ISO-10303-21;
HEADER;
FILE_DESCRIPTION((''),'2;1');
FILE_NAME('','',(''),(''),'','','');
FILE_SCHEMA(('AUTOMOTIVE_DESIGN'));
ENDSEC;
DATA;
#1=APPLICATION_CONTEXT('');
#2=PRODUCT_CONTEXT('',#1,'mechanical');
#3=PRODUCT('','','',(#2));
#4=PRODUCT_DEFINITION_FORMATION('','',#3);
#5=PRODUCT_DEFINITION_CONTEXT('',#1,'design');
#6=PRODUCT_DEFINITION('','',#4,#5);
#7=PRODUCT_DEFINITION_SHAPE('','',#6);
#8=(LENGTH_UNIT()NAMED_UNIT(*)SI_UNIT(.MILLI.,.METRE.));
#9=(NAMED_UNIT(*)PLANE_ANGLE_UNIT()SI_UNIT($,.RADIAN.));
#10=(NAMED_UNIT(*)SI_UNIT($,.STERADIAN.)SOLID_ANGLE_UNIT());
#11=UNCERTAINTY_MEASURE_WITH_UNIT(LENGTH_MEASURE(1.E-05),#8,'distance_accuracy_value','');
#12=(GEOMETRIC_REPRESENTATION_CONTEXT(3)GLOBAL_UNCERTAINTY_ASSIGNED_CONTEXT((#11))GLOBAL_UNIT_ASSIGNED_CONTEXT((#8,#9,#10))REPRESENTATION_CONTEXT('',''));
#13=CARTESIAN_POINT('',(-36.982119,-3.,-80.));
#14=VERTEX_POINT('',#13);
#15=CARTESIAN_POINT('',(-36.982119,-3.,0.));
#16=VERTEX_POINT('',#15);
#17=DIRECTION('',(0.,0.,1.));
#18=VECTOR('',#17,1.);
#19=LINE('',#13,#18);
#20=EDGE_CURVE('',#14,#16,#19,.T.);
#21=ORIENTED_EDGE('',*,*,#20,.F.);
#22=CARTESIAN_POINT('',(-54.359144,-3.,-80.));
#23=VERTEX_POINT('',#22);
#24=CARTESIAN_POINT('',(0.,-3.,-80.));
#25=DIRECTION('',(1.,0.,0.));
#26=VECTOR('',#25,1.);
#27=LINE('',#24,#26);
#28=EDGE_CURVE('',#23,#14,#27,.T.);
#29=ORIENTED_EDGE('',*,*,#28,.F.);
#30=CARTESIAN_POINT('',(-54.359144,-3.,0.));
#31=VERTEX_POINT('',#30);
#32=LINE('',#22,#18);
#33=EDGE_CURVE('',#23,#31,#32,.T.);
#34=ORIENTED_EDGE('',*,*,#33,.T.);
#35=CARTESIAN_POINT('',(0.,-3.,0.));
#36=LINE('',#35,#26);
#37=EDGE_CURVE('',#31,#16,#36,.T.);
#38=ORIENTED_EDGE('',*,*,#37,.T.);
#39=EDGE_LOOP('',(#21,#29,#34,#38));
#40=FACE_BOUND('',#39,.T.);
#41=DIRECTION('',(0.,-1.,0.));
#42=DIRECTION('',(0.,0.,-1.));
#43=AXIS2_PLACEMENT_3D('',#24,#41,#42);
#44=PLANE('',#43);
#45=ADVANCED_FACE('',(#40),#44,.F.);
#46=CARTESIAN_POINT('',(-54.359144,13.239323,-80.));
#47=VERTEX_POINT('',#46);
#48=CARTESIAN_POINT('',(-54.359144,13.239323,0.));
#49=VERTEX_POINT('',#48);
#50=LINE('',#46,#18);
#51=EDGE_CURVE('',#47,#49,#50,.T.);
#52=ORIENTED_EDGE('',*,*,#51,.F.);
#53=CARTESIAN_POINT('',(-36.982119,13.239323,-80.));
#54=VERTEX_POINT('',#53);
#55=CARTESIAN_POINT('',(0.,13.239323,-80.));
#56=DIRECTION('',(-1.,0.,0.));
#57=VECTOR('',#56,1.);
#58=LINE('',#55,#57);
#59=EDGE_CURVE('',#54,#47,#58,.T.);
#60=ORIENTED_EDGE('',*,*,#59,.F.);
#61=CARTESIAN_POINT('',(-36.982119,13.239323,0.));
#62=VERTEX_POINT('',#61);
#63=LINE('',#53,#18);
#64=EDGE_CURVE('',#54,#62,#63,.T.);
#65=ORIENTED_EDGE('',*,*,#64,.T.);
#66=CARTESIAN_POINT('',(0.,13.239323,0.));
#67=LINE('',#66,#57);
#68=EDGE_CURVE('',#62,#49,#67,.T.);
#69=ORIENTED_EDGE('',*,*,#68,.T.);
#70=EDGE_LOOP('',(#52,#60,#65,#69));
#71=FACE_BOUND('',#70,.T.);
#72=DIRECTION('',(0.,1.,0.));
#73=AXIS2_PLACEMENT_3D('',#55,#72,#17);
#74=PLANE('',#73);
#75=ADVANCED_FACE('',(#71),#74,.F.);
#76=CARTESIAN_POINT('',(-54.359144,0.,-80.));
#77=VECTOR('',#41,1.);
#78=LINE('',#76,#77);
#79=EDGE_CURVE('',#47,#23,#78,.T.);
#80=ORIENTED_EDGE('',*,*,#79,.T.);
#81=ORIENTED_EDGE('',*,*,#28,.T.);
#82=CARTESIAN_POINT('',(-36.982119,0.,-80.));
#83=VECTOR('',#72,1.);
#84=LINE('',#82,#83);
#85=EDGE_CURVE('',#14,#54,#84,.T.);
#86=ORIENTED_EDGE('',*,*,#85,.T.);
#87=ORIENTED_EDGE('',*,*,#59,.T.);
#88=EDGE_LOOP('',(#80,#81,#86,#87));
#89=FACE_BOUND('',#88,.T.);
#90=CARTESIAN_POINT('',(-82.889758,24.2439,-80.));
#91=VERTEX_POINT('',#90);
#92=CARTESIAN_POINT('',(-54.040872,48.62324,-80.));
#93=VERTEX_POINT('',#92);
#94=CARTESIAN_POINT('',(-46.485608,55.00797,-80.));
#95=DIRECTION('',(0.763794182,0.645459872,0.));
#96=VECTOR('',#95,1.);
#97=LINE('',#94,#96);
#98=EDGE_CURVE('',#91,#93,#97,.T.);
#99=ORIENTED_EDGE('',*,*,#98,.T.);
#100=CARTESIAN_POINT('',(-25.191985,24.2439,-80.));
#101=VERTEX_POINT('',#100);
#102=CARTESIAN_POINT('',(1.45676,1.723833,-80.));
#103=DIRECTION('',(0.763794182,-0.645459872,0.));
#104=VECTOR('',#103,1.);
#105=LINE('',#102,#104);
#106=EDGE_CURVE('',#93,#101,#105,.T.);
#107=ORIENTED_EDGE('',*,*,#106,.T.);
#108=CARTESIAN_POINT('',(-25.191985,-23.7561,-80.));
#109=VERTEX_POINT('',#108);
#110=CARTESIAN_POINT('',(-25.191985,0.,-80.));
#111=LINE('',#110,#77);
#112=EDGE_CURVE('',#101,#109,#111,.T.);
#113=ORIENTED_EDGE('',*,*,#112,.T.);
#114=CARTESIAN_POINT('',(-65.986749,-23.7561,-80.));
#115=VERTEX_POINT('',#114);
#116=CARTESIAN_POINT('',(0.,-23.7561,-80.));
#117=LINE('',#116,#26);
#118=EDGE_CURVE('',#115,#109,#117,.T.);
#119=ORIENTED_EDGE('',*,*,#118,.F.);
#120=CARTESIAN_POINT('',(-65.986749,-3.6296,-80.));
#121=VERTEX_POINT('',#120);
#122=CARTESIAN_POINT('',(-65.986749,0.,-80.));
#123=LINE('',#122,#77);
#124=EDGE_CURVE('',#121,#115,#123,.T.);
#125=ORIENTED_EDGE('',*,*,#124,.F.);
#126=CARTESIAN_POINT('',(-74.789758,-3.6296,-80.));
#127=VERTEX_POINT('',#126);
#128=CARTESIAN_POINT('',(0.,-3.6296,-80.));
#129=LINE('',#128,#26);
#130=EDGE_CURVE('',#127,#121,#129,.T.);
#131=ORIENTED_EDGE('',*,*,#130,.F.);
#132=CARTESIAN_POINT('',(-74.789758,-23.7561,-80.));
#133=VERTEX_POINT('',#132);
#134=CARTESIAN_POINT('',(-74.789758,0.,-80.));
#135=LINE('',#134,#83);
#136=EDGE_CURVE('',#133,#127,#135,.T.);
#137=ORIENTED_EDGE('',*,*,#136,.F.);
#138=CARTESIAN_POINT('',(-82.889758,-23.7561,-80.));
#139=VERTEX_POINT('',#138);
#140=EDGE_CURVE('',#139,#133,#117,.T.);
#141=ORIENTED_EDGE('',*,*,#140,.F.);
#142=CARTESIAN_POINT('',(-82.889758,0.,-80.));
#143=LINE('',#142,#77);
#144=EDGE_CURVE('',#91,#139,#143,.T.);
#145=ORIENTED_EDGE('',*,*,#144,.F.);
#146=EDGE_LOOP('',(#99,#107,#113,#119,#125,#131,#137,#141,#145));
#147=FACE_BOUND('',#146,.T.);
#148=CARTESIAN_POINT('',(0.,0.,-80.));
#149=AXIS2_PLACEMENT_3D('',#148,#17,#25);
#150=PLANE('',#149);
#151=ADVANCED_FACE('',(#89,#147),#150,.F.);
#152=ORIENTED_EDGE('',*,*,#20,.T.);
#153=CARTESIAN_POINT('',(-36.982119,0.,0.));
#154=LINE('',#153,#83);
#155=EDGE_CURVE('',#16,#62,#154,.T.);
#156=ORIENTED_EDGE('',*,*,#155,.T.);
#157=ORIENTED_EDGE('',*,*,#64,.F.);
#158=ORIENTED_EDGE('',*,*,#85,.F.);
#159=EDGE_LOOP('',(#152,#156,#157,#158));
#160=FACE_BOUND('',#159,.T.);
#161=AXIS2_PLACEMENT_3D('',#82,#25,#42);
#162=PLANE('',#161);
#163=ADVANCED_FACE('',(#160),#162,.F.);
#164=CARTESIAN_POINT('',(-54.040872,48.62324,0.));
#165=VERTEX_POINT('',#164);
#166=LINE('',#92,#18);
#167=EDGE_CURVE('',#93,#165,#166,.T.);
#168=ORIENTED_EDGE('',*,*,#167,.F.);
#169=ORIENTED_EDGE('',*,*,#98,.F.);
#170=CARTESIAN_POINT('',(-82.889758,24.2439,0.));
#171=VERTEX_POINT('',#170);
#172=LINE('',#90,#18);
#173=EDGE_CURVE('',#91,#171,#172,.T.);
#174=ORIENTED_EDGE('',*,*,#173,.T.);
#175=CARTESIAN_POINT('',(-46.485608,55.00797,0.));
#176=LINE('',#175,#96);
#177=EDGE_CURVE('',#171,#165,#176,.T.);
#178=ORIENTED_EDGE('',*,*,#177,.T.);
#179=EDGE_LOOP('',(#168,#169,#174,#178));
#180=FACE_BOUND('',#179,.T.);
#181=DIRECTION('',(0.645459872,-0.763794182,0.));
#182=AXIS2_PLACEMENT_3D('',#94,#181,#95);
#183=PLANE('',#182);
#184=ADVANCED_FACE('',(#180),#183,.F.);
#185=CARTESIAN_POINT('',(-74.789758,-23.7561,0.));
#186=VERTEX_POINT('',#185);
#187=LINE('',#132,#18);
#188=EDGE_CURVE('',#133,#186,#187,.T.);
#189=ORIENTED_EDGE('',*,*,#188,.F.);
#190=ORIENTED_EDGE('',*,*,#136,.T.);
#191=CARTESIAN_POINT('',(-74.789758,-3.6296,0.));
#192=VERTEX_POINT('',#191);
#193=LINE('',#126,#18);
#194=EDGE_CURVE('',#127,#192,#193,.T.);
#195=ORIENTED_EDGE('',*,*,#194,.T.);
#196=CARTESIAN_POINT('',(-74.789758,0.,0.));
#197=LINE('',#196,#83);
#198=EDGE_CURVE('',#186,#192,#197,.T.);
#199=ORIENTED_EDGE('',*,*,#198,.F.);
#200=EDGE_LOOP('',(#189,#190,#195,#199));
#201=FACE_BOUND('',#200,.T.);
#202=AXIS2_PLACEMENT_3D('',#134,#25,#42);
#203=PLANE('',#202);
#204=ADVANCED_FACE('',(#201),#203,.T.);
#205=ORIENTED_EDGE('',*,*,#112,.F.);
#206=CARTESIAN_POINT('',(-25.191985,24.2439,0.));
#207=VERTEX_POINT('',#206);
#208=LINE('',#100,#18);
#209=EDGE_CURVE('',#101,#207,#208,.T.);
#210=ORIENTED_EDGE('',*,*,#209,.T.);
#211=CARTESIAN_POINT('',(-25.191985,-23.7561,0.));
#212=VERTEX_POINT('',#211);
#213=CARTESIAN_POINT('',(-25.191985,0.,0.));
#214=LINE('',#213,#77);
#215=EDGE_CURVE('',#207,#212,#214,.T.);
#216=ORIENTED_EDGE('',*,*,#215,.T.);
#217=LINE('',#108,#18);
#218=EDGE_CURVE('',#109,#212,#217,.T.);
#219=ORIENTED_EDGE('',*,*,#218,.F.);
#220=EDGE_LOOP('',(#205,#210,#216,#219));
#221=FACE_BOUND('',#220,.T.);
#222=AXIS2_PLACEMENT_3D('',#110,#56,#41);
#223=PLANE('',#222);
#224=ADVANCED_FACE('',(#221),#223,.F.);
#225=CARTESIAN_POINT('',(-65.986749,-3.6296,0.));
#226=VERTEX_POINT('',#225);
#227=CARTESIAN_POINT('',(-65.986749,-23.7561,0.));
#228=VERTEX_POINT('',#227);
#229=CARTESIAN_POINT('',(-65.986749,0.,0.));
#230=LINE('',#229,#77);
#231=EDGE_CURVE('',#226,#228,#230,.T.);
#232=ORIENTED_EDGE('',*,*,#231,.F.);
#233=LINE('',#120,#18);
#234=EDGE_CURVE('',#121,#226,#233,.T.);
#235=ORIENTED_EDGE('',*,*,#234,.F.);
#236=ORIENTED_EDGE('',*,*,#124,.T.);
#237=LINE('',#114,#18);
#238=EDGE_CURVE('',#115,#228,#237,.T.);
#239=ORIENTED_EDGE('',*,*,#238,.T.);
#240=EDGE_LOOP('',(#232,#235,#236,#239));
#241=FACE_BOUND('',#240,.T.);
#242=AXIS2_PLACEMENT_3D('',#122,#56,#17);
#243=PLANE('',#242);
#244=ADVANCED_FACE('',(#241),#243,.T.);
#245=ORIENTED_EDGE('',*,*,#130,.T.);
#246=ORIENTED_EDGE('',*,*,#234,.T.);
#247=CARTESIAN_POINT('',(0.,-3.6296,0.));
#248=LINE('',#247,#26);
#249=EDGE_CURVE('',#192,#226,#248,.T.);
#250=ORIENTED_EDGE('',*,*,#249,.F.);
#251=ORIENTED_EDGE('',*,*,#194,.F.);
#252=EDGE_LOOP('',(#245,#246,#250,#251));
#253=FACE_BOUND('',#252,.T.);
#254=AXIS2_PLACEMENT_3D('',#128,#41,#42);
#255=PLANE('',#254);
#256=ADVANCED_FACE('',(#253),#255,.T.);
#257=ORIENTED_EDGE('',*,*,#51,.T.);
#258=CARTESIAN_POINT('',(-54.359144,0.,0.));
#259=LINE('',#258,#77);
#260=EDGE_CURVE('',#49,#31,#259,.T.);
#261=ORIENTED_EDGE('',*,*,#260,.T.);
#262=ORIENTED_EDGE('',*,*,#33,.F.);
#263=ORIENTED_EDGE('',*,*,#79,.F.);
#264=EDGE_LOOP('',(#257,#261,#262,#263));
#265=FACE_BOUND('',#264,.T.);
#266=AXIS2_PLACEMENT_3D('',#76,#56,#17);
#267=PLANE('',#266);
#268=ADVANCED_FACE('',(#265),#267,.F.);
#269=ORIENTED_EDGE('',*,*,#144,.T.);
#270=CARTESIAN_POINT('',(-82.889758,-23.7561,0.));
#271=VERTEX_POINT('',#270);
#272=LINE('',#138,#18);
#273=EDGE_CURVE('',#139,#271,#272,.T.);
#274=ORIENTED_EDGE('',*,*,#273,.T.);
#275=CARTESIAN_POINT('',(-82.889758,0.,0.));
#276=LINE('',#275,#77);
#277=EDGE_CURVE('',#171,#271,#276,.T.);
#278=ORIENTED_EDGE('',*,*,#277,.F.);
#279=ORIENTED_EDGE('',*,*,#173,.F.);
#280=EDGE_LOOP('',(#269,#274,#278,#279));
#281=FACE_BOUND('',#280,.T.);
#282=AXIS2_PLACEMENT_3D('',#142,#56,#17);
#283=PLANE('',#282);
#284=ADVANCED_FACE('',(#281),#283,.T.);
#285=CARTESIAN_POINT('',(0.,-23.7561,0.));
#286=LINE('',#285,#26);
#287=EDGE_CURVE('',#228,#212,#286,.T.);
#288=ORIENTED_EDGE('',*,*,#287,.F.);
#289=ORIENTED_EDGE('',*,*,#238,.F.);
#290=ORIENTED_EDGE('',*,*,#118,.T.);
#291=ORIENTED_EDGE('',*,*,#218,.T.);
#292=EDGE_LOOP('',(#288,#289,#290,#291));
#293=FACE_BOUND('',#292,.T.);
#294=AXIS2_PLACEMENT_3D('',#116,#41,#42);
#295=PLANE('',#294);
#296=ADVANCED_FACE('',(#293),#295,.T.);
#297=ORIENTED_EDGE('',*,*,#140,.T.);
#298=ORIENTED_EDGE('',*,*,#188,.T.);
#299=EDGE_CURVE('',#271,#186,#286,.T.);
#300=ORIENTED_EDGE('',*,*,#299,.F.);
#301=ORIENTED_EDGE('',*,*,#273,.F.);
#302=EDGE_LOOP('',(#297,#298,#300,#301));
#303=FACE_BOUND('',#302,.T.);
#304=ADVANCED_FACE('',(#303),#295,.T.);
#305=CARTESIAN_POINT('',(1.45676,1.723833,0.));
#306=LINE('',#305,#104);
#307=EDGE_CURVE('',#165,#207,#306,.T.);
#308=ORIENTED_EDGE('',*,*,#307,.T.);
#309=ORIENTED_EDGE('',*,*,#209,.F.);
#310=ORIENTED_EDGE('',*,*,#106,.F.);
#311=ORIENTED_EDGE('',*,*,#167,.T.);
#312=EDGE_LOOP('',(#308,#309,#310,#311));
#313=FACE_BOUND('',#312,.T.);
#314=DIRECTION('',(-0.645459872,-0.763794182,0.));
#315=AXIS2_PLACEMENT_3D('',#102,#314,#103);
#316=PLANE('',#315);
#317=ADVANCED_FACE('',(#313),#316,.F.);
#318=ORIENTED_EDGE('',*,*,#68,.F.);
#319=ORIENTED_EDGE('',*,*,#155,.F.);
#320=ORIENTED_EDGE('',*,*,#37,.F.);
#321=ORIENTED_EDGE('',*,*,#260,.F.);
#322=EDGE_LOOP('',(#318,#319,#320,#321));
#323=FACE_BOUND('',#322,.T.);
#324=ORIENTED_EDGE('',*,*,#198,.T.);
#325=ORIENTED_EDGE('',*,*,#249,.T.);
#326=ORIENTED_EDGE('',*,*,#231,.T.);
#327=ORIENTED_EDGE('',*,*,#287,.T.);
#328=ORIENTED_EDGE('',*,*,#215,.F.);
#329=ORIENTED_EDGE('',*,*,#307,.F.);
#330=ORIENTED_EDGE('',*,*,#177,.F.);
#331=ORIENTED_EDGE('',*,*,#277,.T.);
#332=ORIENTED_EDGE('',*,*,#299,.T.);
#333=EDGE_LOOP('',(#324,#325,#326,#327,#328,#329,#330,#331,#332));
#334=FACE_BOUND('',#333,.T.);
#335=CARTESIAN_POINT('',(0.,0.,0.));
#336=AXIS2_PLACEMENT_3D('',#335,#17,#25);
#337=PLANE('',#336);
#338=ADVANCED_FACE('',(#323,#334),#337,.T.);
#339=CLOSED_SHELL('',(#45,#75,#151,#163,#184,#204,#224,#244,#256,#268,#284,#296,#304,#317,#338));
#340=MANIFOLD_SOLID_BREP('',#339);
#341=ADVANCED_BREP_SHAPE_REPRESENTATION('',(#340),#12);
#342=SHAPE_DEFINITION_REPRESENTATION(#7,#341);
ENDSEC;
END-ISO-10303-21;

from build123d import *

# Parameters (mm, degrees)
SKETCH1_W           = 17.377025631
SKETCH1_H           = 16.239323069
BOSS_EXTRUDE1_DEPTH = 80
BOSS_EXTRUDE2_DEPTH = 80


with BuildPart() as part:
    # Sketch1 → Boss-Extrude1 (new body)
    with BuildSketch(Plane.XY):
        Polygon((-25.191985327, 24.243899858), (-82.889758174, 24.243899858), (-82.889758174, -23.756100142), (-74.789758174, -23.756100142), (-74.789758174, -3.629600036), (-65.986748664, -3.629600036), (-65.986748664, -23.756100142), (-25.191985327, -23.756100142), align=None)
        with Locations((-45.670631465, 5.119661535)):
            Rectangle(SKETCH1_W, SKETCH1_H, mode=Mode.SUBTRACT)
    extrude(amount=-BOSS_EXTRUDE1_DEPTH)

    # Sketch1<6> → Boss-Extrude2 (add)
    with BuildSketch(Plane.XY):
        Polygon((-54.040871751, 48.623240497), (-82.889758174, 24.243899858), (-25.191985327, 24.243899858), align=None)
    extrude(amount=-BOSS_EXTRUDE2_DEPTH)


solid = part.part
